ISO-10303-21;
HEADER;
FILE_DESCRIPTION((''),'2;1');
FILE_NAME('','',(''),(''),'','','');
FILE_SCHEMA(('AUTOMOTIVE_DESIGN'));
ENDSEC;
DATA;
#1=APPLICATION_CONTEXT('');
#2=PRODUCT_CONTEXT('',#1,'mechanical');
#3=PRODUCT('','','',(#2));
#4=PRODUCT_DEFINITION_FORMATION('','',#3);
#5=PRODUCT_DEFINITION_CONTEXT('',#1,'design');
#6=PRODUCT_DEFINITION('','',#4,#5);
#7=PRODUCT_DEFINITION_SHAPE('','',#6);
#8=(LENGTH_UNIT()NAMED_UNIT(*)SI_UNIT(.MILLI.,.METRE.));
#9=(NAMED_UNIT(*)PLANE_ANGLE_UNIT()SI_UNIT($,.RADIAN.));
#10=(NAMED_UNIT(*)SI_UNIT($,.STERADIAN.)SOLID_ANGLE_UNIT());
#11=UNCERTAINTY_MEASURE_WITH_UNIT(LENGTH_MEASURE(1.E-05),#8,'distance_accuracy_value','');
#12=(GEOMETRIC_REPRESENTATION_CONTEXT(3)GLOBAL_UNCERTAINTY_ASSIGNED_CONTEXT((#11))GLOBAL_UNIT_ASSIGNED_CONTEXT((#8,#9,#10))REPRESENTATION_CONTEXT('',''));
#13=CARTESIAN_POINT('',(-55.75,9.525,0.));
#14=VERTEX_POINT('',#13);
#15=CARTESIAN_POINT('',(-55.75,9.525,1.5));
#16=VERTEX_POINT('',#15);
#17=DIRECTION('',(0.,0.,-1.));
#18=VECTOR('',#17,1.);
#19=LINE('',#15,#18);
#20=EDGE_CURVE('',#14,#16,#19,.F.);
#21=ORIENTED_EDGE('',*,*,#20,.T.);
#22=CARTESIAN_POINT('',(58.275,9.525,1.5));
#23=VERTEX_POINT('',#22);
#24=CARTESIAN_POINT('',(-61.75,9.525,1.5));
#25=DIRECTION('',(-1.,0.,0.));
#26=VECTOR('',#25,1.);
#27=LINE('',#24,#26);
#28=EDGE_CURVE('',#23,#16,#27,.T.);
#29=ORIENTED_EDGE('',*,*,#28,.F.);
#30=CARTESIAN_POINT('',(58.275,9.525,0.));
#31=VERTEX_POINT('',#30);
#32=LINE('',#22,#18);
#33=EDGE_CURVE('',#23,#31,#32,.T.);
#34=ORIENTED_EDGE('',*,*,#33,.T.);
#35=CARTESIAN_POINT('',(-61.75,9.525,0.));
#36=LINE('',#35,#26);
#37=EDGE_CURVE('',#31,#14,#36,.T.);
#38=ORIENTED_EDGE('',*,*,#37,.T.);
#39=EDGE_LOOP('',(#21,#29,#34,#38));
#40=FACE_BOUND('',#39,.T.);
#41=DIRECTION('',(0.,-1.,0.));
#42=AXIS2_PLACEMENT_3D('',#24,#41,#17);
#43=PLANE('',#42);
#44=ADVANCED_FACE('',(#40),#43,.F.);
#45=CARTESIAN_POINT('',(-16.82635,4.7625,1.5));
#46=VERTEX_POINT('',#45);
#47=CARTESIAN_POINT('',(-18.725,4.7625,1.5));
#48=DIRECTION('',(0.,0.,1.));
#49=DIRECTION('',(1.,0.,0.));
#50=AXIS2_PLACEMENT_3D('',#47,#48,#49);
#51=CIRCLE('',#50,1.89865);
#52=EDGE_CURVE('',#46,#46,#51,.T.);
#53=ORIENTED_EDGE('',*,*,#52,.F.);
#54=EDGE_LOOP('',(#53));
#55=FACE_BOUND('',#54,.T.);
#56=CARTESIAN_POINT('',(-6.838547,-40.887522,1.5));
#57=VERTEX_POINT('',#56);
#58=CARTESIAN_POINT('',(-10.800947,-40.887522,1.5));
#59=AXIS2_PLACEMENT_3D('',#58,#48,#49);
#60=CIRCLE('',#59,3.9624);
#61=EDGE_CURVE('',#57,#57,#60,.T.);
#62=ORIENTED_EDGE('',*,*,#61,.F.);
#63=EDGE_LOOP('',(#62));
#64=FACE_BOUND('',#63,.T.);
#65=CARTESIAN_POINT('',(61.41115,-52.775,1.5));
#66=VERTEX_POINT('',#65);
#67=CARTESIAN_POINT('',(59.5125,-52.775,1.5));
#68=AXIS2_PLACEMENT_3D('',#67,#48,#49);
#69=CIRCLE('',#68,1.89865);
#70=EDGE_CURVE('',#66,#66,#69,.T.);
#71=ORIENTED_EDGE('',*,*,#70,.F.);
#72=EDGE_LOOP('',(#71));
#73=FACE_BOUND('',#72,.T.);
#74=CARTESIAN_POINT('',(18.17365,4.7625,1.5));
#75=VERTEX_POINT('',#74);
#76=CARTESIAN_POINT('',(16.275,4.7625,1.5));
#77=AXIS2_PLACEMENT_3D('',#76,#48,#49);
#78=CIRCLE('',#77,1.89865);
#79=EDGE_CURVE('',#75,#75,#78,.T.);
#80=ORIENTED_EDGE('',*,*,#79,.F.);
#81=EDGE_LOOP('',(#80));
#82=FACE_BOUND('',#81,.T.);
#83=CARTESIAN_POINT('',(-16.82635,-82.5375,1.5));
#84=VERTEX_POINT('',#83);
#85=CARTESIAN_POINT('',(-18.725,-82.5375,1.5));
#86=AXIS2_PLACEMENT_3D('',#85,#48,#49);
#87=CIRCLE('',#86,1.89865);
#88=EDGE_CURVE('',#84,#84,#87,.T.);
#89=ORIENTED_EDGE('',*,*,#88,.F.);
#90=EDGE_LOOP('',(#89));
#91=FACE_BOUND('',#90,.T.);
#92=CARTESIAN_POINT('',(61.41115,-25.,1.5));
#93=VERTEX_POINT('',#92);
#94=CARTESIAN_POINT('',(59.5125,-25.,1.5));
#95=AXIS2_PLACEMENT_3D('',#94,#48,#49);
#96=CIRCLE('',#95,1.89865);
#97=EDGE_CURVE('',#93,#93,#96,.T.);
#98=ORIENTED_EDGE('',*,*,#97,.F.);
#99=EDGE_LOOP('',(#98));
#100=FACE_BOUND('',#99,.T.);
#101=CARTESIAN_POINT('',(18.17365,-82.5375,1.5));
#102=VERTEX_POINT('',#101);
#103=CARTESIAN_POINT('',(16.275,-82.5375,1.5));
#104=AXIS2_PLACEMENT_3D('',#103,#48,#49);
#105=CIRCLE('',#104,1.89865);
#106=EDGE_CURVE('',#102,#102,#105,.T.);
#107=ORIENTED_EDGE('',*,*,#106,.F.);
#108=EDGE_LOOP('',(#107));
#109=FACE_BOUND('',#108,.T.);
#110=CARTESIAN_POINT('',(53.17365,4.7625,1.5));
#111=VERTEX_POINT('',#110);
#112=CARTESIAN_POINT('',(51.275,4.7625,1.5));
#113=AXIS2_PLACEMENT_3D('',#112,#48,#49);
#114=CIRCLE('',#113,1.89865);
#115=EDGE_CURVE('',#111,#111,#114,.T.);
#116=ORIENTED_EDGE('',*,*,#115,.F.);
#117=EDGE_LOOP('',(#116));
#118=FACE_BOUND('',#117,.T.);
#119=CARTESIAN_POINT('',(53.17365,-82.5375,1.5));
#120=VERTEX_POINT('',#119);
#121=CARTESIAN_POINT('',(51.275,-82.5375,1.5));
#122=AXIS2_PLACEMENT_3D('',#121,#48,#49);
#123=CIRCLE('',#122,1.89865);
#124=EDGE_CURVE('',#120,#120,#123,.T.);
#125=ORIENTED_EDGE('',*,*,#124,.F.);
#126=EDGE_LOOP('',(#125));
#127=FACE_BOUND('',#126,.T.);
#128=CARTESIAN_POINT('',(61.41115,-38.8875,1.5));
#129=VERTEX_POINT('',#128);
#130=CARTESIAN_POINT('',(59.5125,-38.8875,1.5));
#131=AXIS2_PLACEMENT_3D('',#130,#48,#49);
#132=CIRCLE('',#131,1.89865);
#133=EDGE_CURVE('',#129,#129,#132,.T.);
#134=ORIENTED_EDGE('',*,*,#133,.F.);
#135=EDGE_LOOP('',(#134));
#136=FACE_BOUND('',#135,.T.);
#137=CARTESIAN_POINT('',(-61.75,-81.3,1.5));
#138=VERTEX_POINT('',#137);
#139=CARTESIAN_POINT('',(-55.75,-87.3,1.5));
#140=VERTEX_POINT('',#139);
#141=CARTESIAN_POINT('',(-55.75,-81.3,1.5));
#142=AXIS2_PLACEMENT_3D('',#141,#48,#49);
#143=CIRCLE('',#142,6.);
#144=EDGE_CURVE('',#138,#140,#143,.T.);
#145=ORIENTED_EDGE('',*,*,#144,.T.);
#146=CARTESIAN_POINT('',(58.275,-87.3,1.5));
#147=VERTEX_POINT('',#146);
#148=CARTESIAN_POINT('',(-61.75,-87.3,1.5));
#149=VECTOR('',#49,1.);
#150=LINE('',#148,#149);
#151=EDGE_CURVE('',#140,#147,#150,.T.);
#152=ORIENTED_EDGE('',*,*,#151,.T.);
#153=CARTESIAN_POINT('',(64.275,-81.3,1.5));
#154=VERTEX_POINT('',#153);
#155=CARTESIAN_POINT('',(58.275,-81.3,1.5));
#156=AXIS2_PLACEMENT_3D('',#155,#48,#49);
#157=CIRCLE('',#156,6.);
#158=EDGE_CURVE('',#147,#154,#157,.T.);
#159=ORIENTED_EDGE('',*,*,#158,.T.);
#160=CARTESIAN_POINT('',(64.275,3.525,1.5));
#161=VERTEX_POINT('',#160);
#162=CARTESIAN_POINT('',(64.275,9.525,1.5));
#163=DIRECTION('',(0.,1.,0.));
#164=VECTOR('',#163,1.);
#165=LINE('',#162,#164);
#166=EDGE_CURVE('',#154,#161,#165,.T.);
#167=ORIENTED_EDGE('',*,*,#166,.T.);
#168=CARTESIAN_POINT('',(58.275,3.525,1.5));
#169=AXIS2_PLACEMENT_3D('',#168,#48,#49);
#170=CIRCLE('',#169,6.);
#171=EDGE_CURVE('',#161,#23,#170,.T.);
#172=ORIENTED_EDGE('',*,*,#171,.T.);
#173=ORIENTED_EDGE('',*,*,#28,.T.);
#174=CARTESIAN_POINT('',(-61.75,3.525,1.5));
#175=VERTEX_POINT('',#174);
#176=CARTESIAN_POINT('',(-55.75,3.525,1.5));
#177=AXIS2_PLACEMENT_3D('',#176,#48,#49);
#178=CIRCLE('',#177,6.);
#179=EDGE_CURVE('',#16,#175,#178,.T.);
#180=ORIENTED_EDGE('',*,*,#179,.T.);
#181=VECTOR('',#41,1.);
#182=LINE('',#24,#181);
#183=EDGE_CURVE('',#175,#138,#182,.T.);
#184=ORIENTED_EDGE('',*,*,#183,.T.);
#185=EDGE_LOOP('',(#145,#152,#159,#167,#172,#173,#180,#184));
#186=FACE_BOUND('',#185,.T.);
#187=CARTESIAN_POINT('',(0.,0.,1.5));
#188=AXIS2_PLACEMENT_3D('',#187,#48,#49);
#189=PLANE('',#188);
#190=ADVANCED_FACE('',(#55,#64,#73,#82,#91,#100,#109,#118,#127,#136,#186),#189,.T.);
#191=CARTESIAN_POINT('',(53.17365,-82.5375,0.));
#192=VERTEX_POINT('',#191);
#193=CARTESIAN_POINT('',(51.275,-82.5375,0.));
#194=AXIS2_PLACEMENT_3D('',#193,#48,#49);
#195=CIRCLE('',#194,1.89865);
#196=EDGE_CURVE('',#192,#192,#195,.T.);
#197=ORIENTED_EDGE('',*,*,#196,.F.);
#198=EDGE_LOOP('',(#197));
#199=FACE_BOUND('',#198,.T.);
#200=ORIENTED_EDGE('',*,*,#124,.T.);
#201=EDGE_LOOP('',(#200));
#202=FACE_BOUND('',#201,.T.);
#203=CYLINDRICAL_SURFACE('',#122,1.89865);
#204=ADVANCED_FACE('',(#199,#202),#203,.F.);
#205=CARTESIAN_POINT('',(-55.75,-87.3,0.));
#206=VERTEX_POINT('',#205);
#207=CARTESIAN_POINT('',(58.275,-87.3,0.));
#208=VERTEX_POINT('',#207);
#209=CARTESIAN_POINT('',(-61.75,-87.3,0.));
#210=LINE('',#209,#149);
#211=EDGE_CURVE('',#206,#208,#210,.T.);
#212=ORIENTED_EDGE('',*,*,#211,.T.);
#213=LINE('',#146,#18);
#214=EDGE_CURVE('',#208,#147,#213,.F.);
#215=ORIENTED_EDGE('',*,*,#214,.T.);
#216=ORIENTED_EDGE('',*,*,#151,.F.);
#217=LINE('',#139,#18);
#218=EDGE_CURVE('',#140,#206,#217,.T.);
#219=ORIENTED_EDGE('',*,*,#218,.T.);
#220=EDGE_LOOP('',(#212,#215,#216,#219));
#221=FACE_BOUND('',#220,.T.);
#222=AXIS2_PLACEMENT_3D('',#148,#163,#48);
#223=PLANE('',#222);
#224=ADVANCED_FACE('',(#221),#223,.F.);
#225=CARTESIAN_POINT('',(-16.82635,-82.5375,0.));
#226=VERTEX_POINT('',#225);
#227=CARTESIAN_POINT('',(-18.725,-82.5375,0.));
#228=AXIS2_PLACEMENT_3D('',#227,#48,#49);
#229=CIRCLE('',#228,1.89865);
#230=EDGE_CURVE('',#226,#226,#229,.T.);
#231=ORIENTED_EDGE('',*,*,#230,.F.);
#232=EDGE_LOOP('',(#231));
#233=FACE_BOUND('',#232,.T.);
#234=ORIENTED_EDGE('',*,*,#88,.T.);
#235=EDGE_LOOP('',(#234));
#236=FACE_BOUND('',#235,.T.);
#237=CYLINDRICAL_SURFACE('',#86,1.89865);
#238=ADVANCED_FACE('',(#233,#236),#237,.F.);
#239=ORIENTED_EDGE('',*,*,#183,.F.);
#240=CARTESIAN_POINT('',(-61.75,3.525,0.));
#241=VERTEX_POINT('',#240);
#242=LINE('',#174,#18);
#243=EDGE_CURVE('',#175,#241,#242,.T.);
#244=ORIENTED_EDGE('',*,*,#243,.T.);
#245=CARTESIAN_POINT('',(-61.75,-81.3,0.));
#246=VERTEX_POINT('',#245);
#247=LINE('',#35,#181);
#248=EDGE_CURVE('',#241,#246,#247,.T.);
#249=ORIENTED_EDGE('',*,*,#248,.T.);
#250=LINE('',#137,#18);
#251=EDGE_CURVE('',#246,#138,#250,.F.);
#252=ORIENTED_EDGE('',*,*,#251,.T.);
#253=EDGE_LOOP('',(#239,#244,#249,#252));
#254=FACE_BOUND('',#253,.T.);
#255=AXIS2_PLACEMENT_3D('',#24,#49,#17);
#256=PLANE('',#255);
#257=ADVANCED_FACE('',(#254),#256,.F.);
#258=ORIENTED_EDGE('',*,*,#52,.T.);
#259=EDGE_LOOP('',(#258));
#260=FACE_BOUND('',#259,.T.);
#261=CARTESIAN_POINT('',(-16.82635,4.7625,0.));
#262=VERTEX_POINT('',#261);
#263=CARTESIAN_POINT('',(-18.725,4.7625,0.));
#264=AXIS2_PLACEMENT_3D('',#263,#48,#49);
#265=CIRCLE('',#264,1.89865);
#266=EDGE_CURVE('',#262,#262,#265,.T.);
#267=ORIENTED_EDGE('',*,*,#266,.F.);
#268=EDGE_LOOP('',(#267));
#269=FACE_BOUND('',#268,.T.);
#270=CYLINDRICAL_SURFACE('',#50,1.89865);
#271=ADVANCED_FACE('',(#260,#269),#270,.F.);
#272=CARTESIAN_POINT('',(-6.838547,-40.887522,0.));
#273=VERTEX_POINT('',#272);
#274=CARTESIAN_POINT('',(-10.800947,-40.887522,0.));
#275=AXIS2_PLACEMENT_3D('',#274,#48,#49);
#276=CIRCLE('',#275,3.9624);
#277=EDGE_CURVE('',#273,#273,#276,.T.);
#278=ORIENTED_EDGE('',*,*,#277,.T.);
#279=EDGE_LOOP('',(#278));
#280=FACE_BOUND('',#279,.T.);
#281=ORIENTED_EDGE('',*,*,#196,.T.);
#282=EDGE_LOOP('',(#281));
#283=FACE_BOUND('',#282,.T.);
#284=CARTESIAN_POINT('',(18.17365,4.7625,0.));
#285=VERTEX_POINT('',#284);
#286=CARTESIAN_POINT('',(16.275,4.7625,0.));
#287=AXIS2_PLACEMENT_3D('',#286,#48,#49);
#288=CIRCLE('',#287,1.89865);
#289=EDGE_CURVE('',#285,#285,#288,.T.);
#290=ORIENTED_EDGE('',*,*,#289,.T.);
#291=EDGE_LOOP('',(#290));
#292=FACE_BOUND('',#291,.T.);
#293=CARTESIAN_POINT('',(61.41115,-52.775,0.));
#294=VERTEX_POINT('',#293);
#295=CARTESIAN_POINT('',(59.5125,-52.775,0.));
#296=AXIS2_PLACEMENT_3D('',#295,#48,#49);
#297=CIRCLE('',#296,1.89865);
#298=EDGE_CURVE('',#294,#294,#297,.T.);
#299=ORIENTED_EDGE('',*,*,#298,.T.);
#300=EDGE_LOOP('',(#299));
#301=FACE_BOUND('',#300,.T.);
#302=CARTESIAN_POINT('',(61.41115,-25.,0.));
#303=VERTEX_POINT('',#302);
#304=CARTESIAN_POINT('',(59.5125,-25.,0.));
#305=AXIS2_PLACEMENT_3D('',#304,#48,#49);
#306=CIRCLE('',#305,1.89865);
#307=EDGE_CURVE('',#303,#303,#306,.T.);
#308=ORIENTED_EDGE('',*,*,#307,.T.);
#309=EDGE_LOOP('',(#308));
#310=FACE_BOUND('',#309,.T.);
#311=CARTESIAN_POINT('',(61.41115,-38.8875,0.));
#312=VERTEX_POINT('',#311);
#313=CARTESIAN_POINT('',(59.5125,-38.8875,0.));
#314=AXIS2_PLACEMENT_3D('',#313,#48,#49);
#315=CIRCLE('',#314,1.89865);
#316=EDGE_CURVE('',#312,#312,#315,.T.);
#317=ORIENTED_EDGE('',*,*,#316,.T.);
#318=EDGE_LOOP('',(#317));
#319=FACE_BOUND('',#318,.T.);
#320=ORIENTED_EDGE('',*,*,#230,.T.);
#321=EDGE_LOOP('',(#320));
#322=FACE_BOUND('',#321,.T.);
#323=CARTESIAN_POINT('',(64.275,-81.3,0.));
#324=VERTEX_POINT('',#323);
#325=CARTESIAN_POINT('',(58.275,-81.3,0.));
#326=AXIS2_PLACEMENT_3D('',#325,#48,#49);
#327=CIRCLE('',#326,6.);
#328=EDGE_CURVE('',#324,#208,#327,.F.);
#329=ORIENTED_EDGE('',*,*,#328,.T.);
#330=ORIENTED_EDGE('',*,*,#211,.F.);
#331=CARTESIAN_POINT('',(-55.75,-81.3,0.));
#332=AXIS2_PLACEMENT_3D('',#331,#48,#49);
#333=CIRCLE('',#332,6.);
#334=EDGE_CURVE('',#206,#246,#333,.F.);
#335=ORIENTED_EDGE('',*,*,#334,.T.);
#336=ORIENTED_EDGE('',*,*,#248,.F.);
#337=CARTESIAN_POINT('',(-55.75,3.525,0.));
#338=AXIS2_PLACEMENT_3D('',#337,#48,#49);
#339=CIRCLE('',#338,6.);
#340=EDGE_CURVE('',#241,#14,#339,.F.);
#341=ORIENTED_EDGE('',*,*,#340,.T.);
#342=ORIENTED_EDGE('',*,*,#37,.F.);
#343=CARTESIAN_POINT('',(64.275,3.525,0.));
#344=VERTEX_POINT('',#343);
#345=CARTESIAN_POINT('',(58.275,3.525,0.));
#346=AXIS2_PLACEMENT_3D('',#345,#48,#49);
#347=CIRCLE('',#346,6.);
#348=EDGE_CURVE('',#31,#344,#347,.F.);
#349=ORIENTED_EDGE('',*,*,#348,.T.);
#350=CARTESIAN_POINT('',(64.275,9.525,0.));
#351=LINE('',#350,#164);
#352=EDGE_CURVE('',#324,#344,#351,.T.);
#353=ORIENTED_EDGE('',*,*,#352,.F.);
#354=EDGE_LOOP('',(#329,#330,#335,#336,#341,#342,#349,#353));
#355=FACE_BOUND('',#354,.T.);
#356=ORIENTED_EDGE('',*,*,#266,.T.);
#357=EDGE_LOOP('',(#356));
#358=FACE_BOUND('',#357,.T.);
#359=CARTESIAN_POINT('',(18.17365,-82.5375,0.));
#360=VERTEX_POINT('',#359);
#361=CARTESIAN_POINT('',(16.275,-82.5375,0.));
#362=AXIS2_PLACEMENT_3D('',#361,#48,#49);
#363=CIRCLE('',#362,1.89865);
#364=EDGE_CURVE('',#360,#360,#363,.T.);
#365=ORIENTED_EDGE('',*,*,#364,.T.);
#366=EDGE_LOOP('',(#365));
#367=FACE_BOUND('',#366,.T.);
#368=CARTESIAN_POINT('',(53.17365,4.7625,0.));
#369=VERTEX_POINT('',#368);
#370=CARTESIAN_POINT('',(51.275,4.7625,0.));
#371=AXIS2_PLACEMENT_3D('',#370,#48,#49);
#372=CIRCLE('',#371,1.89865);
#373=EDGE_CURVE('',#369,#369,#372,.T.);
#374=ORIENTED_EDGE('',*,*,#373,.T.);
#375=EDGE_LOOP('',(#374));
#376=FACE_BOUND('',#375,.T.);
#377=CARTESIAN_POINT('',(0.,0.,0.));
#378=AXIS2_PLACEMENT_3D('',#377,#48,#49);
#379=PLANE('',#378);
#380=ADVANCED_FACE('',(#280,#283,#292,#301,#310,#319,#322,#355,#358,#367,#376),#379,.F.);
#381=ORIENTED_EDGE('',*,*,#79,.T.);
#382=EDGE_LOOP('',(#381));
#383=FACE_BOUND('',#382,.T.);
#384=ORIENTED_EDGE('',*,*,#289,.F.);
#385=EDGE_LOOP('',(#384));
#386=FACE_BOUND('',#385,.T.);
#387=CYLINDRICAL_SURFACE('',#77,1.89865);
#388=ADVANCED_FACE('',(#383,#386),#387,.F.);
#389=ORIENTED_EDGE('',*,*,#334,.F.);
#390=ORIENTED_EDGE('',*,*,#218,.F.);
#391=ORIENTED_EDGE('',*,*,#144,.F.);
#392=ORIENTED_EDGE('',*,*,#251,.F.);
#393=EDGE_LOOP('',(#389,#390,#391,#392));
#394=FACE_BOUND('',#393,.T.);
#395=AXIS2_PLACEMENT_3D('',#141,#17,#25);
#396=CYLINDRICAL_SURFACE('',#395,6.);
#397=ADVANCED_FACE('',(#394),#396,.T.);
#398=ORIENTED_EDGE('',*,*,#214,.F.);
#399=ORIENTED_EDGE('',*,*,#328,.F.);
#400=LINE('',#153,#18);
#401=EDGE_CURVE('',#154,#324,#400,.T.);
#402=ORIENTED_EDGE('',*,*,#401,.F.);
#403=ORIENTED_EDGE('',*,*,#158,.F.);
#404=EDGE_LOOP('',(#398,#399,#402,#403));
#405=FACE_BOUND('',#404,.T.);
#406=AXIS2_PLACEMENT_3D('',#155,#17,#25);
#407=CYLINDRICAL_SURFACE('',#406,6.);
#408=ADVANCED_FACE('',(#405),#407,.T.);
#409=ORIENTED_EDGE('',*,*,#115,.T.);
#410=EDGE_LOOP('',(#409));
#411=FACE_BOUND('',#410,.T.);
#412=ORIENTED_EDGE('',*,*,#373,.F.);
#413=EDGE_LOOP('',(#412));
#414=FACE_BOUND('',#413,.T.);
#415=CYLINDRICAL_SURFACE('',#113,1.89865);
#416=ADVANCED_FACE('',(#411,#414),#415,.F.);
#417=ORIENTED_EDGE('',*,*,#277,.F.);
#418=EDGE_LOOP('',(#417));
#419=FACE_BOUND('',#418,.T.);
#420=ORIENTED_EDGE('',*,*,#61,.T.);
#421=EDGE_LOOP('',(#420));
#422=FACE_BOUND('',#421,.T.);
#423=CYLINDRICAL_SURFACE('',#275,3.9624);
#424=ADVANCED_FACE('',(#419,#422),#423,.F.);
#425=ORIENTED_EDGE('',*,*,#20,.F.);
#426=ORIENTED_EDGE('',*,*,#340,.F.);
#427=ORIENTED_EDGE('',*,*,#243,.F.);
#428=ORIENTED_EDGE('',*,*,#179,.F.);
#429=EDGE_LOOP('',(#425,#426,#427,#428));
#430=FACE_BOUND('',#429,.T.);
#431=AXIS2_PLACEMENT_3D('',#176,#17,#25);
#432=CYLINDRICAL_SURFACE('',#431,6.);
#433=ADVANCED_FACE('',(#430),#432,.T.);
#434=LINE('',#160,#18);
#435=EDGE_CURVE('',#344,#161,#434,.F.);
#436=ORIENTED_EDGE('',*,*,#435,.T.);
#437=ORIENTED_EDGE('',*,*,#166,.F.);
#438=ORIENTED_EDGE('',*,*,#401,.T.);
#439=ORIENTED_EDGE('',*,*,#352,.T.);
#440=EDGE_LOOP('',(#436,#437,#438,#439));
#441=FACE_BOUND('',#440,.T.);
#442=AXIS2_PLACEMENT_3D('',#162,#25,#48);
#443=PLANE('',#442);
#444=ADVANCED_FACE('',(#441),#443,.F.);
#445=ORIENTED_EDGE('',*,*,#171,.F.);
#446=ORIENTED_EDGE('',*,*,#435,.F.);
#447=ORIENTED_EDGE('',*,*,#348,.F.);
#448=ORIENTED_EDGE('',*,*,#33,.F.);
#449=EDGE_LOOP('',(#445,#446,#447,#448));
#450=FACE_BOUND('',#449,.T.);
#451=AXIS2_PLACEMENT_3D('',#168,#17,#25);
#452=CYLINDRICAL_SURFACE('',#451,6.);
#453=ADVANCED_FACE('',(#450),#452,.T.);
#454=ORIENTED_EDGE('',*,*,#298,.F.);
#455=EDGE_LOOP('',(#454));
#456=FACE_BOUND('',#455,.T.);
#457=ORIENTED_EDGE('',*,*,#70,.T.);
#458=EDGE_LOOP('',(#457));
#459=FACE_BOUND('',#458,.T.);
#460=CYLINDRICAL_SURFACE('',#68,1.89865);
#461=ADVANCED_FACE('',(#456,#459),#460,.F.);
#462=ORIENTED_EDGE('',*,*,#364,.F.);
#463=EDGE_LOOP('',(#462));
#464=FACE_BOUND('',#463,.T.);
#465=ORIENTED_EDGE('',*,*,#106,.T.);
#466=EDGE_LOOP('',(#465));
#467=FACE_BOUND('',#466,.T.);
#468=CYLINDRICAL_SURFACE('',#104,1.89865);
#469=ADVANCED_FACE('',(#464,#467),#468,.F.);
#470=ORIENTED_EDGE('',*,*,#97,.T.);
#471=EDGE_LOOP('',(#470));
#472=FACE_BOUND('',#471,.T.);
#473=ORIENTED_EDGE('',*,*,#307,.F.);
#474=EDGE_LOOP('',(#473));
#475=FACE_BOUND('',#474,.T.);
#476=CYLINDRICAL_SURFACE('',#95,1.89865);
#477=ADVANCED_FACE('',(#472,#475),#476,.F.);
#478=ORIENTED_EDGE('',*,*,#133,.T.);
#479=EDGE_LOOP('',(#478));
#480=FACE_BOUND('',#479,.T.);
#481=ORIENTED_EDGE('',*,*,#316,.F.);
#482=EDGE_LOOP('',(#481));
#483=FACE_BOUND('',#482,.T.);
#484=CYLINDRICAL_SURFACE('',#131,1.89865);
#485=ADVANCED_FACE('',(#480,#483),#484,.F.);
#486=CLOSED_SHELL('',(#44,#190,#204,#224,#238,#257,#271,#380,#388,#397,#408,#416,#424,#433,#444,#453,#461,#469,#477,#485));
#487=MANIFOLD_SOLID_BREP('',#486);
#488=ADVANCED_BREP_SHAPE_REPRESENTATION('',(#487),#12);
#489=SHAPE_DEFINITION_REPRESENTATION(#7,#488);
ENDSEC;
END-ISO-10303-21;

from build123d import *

# Parameters (mm, degrees)
SKETCH1_W               = 126.025
SKETCH1_H               = 96.825
BOSS_EXTRUDE1_DEPTH     = 1.5
F_6_CLEARANCE_HOLE1_D   = 3.7973
SIDEPANEL_PATTERN_COUNT = 3
SIDEPANEL_PATTERN_PITCH = 35
MIRROR1_COPY_1_D        = 3.7973
MIRROR1_COPY_2_D        = 3.7973
F_6_CLEARANCE_HOLE2_D   = 3.7973
LPATTERN2_COUNT         = 3
LPATTERN2_PITCH         = 13.8875
FILLET1_R               = 6
SKETCH9_R               = 3.9624
CUT_EXTRUDE1_DEPTH      = 109.41962749


with BuildPart() as part:
    # Sketch1 → Boss-Extrude1 (new body)
    with BuildSketch(Plane.XY):
        with Locations((1.2625, -38.8875)):
            Rectangle(SKETCH1_W, SKETCH1_H)
    extrude(amount=BOSS_EXTRUDE1_DEPTH)

    # #6 Clearance Hole1 (through all)
    with Locations(Plane.XY.offset(1.5)):
        with Locations((51.275, 4.7625)):
            f_6_clearance_hole1 = Hole(F_6_CLEARANCE_HOLE1_D / 2)

    # Sidepanel Pattern: #6 Clearance Hole1 ×3
    with Locations(*[(-i * SIDEPANEL_PATTERN_PITCH, 0, 0) for i in range(1, SIDEPANEL_PATTERN_COUNT)]):
        add(f_6_clearance_hole1, mode=Mode.SUBTRACT)

    # Mirror1: #6 Clearance Hole1 across plane
    add(f_6_clearance_hole1.mirror(Plane.ZX.offset(-38.8875)), mode=Mode.SUBTRACT)

    # Mirror1 copy 1 (through all)
    with Locations(Plane(origin=(-35, -77.775, 1.5), x_dir=(1, 0, 0), z_dir=(0, 0, 1))):
        with Locations((51.275, -4.7625)):
            Hole(MIRROR1_COPY_1_D / 2)

    # Mirror1 copy 2 (through all)
    with Locations(Plane(origin=(-70, -77.775, 1.5), x_dir=(1, 0, 0), z_dir=(0, 0, 1))):
        with Locations((51.275, -4.7625)):
            Hole(MIRROR1_COPY_2_D / 2)

    # #6 Clearance Hole2 (through all)
    with Locations(Plane.XY.offset(1.5)):
        with Locations((59.5125, -25)):
            f_6_clearance_hole2 = Hole(F_6_CLEARANCE_HOLE2_D / 2)

    # LPattern2: #6 Clearance Hole2 ×3
    with Locations(*[(0, -i * LPATTERN2_PITCH, 0) for i in range(1, LPATTERN2_COUNT)]):
        add(f_6_clearance_hole2, mode=Mode.SUBTRACT)

    # Fillet1
    fillet1_edges = [part.edges().sort_by_distance(p)[0] for p in [
        (-61.75, 9.525, 0.75),
        (64.275, 9.525, 0.75),
        (64.275, -87.3, 0.75),
        (-61.75, -87.3, 0.75),
    ]]
    fillet(fillet1_edges, radius=FILLET1_R)

    # Sketch9 → Cut-Extrude1 (cut, through all)
    with BuildSketch(Plane.XY.offset(1.5)):
        with Locations((-10.800946897, -40.88752178)):
            Circle(SKETCH9_R)
    extrude(amount=-CUT_EXTRUDE1_DEPTH, mode=Mode.SUBTRACT)


solid = part.part
